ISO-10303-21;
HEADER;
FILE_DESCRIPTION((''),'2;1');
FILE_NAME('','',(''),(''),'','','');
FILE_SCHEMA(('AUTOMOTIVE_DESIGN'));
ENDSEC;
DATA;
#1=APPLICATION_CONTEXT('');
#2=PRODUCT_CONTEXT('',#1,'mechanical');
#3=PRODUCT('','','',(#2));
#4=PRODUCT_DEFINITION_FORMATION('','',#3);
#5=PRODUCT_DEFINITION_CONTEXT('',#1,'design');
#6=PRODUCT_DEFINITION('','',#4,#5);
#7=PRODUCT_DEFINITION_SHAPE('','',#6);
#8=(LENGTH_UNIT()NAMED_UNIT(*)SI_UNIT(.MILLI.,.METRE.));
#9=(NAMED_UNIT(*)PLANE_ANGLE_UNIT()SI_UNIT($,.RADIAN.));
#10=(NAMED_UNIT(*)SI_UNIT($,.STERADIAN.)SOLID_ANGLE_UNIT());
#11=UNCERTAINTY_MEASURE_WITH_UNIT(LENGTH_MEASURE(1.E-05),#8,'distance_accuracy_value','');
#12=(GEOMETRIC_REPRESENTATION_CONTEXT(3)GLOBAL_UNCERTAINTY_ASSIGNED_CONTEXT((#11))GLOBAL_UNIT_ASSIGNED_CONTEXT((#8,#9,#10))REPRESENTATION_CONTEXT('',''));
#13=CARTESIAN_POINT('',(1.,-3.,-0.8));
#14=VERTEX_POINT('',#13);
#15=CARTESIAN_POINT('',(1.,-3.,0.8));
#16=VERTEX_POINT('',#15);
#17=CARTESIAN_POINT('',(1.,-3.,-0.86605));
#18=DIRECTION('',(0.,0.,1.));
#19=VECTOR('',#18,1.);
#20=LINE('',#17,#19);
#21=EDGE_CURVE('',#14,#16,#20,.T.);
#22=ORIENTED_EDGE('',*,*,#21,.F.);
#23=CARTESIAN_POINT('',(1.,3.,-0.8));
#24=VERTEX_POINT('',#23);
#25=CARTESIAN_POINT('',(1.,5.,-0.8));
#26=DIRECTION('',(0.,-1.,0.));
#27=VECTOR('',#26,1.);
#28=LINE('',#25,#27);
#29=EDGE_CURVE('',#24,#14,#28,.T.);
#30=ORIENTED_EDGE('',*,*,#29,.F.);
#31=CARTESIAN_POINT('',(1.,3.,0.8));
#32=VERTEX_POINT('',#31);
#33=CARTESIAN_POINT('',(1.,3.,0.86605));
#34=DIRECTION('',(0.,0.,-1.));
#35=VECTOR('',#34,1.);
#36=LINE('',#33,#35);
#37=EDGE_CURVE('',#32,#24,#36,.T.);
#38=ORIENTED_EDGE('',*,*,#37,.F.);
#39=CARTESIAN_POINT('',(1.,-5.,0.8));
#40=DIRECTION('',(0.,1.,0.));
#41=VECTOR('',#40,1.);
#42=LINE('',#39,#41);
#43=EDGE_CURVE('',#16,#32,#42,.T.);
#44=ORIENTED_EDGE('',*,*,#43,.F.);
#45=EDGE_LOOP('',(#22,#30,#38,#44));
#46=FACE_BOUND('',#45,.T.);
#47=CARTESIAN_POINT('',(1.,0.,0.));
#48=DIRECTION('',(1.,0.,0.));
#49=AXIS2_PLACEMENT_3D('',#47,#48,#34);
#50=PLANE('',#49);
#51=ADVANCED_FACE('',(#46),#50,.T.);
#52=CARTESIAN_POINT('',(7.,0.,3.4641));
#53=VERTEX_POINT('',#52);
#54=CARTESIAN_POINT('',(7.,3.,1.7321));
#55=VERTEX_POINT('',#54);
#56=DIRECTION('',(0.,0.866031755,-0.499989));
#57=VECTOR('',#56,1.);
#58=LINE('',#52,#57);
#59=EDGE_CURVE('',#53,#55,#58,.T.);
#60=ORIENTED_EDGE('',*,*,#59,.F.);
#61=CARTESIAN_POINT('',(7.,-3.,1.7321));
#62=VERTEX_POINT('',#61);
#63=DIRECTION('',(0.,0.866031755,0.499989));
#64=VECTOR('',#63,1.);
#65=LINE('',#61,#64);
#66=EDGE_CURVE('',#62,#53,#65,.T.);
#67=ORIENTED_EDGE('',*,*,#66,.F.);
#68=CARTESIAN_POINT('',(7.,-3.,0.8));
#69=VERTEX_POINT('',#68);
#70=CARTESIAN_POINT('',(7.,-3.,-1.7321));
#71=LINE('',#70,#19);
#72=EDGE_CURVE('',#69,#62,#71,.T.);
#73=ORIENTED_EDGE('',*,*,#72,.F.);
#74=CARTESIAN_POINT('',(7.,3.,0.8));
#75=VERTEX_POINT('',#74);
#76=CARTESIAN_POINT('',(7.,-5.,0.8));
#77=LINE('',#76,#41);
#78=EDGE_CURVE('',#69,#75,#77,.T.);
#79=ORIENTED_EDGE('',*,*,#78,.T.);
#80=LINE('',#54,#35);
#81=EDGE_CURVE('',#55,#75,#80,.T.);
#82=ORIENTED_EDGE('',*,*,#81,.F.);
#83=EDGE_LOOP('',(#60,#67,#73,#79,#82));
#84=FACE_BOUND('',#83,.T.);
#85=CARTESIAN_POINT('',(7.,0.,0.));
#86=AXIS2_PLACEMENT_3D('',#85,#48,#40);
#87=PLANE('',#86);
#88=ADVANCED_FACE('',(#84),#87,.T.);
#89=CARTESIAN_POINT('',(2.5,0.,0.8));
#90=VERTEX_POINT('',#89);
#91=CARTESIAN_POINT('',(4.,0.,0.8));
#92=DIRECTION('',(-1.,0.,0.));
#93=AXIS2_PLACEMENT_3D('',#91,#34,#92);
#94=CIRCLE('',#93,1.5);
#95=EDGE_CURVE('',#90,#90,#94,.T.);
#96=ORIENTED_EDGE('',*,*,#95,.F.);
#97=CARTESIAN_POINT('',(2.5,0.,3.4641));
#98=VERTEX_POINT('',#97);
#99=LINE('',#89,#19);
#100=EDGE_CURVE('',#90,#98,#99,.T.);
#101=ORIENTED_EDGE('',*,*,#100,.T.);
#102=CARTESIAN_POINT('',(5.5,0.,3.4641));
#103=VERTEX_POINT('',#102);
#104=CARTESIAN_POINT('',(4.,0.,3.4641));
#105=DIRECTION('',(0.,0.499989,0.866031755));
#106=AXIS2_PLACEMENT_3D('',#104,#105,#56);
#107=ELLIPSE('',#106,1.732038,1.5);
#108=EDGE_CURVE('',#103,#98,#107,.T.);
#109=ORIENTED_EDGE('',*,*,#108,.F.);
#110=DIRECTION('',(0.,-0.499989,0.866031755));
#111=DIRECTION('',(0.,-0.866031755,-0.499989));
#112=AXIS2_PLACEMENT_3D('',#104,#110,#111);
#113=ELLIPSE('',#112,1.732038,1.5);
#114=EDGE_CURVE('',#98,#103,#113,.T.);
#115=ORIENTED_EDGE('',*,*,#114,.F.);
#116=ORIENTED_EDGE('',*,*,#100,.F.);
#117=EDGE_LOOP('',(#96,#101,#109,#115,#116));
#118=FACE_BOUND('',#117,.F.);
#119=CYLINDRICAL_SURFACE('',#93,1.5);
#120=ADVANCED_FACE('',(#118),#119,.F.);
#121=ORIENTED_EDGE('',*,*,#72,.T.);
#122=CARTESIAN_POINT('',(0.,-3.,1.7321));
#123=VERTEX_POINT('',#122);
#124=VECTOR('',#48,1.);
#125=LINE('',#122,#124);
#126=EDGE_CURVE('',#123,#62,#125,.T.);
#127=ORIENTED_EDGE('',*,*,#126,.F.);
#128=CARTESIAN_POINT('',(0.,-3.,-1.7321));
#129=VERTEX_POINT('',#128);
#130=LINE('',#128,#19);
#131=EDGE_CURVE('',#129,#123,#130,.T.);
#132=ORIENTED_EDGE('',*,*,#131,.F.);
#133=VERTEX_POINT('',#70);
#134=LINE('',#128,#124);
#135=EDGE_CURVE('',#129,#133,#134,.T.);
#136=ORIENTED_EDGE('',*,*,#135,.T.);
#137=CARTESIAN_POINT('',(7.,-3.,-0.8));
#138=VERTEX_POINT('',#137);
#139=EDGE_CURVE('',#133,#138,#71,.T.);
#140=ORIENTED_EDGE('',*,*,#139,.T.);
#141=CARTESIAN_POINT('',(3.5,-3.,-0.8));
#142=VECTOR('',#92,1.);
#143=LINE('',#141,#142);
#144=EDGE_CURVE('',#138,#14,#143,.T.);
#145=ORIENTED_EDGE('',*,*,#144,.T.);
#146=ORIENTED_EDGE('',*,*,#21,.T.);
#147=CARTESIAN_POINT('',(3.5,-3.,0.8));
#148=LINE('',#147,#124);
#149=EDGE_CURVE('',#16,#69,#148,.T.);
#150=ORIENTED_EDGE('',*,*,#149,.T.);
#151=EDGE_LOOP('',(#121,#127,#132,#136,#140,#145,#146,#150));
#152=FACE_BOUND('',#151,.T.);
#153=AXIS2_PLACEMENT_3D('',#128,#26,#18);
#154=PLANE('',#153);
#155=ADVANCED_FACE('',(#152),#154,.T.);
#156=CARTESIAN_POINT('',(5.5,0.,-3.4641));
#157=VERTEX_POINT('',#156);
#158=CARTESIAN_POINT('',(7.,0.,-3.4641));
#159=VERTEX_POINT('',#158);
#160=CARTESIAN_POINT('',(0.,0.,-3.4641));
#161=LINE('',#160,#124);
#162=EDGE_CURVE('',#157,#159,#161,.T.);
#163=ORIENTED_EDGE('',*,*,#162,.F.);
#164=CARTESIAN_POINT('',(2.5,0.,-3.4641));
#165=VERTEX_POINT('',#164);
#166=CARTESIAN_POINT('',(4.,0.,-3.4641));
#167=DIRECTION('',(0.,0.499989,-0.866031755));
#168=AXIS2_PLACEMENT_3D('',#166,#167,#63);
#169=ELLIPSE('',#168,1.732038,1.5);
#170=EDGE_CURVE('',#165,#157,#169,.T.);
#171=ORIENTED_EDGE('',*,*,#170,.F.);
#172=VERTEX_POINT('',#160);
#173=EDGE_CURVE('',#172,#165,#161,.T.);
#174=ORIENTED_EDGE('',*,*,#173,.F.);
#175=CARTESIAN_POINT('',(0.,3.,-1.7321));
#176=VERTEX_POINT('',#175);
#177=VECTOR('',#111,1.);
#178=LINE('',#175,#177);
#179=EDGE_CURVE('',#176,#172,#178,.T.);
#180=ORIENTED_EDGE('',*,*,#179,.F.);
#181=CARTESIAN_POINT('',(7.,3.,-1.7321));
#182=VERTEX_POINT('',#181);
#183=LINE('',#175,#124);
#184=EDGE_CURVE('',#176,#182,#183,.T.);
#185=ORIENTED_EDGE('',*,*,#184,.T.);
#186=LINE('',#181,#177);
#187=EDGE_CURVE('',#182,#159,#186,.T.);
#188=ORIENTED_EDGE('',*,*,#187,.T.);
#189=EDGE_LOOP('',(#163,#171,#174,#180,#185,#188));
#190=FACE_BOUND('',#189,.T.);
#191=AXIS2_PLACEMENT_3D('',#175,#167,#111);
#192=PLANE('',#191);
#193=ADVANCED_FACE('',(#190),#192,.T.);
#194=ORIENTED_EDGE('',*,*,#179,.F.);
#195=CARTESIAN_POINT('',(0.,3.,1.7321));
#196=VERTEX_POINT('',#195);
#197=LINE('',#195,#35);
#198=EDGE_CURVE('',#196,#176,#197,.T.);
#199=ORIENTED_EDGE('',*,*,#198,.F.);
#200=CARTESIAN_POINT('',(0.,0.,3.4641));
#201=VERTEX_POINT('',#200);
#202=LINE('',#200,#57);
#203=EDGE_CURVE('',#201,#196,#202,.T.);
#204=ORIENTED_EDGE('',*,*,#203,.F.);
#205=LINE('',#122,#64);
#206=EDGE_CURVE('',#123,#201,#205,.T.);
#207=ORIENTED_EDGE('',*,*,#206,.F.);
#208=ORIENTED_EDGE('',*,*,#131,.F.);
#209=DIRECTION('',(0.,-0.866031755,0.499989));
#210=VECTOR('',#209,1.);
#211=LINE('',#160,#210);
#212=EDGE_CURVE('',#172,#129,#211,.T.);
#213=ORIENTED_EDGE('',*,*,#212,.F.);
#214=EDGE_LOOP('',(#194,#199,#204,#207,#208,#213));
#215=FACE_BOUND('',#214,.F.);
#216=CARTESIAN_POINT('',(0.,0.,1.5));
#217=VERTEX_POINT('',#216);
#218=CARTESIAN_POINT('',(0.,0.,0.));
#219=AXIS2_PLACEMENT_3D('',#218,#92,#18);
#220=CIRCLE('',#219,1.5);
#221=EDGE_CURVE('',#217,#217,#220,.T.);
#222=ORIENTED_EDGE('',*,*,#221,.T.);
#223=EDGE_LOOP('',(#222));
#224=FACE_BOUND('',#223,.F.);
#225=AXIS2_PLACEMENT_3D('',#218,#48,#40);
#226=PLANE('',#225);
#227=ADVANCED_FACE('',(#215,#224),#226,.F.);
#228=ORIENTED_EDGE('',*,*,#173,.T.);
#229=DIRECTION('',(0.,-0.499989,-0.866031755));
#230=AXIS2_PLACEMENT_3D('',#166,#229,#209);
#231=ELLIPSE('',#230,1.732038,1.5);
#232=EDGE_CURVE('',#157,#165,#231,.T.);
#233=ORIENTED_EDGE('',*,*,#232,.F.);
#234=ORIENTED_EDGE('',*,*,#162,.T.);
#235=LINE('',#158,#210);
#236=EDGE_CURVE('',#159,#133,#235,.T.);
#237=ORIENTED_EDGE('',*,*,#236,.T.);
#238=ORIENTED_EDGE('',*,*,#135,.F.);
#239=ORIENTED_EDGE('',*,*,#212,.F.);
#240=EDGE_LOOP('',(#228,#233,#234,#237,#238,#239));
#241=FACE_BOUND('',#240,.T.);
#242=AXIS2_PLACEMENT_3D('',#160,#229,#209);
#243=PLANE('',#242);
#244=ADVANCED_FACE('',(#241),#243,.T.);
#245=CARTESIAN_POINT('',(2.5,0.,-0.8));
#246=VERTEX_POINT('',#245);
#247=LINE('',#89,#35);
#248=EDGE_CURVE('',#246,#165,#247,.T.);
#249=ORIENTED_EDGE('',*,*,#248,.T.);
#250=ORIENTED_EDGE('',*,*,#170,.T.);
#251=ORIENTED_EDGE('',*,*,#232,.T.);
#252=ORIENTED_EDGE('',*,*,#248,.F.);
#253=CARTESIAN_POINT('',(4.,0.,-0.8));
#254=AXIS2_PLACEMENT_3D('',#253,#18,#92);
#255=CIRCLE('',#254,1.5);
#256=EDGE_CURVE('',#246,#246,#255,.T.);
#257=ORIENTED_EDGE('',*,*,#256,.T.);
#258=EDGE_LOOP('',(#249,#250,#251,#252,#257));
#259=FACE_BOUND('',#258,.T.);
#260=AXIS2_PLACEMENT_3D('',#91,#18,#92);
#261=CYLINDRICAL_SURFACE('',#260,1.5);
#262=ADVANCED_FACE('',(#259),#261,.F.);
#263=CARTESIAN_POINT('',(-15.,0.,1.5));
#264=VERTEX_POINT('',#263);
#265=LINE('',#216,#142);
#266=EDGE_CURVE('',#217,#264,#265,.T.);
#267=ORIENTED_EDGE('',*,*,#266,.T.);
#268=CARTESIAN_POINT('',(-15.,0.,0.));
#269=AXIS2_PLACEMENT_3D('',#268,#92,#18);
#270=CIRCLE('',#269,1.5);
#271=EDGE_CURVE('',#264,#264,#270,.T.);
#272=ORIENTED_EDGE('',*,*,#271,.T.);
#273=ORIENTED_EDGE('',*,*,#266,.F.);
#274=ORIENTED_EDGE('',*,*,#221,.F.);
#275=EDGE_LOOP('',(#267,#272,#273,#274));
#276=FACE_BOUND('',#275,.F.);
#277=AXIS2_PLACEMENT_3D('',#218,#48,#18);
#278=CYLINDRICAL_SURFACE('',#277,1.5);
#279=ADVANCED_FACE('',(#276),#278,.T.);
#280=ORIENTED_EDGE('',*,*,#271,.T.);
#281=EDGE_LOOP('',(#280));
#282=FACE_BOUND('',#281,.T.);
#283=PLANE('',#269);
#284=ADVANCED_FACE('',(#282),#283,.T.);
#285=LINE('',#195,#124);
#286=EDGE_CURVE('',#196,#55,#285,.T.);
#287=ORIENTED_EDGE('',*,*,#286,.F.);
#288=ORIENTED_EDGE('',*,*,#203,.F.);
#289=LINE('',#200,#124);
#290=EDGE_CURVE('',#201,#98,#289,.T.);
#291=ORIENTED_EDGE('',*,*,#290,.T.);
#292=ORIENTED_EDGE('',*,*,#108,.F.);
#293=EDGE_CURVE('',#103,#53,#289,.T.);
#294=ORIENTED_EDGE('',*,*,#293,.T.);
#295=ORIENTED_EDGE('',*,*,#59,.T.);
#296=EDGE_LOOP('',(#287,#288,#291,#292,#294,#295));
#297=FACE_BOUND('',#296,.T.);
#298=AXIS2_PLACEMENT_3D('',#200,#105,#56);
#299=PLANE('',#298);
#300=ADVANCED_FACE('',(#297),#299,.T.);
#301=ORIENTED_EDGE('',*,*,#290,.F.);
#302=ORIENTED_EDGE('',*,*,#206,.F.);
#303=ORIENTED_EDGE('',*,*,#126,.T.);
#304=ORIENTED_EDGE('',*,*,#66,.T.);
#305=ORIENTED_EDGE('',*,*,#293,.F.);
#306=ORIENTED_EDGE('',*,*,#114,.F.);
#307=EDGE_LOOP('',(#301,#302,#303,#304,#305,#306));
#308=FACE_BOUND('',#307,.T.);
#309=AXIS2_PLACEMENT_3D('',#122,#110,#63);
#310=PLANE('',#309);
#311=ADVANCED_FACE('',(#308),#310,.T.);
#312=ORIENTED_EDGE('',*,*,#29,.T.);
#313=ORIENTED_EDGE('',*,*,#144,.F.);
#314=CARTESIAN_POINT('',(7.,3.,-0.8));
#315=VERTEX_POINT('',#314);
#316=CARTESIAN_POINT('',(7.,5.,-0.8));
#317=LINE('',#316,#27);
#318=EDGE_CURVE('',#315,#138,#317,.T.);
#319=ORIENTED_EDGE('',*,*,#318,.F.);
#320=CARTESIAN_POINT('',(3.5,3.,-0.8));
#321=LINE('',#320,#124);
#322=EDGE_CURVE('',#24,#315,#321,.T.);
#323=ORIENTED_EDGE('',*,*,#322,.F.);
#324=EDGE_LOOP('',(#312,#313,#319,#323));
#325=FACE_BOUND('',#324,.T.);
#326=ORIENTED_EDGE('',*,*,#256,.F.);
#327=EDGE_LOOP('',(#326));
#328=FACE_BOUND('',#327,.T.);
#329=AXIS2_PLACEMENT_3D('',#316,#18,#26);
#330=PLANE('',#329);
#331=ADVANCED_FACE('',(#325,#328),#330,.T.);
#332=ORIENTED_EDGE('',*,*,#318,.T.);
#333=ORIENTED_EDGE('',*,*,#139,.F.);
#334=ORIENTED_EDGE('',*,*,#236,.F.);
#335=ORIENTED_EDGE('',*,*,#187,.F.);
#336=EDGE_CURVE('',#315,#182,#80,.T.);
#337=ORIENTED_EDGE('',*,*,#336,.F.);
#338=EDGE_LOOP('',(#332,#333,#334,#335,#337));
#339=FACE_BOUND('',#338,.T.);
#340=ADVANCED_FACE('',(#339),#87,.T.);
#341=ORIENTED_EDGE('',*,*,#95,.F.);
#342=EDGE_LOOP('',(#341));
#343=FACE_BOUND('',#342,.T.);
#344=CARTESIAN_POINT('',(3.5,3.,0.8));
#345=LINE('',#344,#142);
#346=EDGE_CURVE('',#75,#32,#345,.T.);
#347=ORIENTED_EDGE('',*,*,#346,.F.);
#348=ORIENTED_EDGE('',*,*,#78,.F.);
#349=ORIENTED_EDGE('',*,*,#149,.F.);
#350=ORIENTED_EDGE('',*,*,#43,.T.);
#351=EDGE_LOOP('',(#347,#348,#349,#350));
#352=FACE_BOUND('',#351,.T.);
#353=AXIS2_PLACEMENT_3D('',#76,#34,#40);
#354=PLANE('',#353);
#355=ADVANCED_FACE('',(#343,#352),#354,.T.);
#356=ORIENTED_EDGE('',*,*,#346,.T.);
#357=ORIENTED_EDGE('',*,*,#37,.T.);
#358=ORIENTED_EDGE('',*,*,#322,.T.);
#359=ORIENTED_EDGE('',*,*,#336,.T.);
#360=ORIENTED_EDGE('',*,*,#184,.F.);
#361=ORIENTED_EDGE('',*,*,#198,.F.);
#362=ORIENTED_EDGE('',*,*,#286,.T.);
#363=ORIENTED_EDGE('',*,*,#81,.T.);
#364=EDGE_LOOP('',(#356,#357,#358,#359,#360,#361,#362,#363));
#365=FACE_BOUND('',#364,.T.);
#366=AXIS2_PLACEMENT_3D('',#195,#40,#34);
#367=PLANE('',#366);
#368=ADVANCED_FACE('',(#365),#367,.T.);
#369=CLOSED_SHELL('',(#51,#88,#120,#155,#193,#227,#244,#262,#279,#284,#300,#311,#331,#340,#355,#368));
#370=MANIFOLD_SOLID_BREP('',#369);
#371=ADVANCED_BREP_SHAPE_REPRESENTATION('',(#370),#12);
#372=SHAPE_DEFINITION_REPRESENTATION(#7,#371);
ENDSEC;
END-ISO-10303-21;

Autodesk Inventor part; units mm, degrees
ref_plane "YZ Plane" through (0, 0, 0) normal (1, 0, 0) x (0, 1, 0)
ref_plane "XZ Plane" through (0, 0, 0) normal (0, 1, 0) x (-1, 0, 0)
ref_plane "XY Plane" through (0, 0, 0) normal (0, 0, 1) x (1, 0, 0)
sketch "Sketch1" plane through (0, 0, 0) normal (1, 0, 0) x (0, 1, 0)
  line L0 (3, -1.7321) -> (0, -3.4641)
  line L1 (0, -3.4641) -> (-3, -1.7321)
  line L2 (-3, -1.7321) -> (-3, 1.7321)
  line L3 (-3, 1.7321) -> (0, 3.4641)
  line L4 (0, 3.4641) -> (3, 1.7321)
  line L5 (3, 1.7321) -> (3, -1.7321)
  point P0 (0, 0)
  point P1 (0, 0)
  dimension "d0" = 6
extrude "Extrusion1" add sketch "Sketch1" along normal blind 7
sketch "Sketch2" plane through (7, 0, 0) normal (1, 0, 0) x (0, 0, -1)
  line L0 (-0.8, 5) -> (0.8, 5)
  line L1 (0.8, 5) -> (0.8, -5)
  line L2 (0.8, -5) -> (-0.8, -5)
  line L3 (-0.8, -5) -> (-0.8, 5)
  line L4 (-0.8, 5) -> (0.8, -5) construction
  line L5 (0.8, 5) -> (-0.8, -5) construction
  point P0 (0, 0)
  dimension "d3" = 1.6
  dimension "d4" = 10
extrude "Extrusion2" cut sketch "Sketch2" against normal blind 6
sketch "Sketch3" plane through (0, 0, 0) normal (-1, 0, 0) x (0, 0, 1)
  circle A0 centre (0, 0) radius 1.5
  dimension "d7" = 3
extrude "Extrusion3" add sketch "Sketch3" along normal blind 15
thread "Thread1" size "M3x0.5" class "6g" standard "ANSI Metric M Profile" full length
sketch "Sketch4" plane through (7, -3, 0.8) normal (0, 0, -1) x (-1, 0, 0)
  line L0 (0, 6) -> (6, 6) projected
  line L1 (0, 0) -> (0, 6) projected
  line L2 (6, 0) -> (0, 0) projected
  line L3 (6, 0) -> (6, 6) projected
  line L4 (0, 0) -> (0, 6) projected
  circle A0 centre (3, 3) radius 1.5
  point P0 (7, 3)
  point P1 (3, 6)
  point P2 (0, 3)
  dimension "d12" = 3
extrude "Extrusion4" cut sketch "Sketch4" along normal through all both and the other way through all contours A0
properties part number "CompressionRollerArmActuatorScrew" material "Steel, Alloy"
